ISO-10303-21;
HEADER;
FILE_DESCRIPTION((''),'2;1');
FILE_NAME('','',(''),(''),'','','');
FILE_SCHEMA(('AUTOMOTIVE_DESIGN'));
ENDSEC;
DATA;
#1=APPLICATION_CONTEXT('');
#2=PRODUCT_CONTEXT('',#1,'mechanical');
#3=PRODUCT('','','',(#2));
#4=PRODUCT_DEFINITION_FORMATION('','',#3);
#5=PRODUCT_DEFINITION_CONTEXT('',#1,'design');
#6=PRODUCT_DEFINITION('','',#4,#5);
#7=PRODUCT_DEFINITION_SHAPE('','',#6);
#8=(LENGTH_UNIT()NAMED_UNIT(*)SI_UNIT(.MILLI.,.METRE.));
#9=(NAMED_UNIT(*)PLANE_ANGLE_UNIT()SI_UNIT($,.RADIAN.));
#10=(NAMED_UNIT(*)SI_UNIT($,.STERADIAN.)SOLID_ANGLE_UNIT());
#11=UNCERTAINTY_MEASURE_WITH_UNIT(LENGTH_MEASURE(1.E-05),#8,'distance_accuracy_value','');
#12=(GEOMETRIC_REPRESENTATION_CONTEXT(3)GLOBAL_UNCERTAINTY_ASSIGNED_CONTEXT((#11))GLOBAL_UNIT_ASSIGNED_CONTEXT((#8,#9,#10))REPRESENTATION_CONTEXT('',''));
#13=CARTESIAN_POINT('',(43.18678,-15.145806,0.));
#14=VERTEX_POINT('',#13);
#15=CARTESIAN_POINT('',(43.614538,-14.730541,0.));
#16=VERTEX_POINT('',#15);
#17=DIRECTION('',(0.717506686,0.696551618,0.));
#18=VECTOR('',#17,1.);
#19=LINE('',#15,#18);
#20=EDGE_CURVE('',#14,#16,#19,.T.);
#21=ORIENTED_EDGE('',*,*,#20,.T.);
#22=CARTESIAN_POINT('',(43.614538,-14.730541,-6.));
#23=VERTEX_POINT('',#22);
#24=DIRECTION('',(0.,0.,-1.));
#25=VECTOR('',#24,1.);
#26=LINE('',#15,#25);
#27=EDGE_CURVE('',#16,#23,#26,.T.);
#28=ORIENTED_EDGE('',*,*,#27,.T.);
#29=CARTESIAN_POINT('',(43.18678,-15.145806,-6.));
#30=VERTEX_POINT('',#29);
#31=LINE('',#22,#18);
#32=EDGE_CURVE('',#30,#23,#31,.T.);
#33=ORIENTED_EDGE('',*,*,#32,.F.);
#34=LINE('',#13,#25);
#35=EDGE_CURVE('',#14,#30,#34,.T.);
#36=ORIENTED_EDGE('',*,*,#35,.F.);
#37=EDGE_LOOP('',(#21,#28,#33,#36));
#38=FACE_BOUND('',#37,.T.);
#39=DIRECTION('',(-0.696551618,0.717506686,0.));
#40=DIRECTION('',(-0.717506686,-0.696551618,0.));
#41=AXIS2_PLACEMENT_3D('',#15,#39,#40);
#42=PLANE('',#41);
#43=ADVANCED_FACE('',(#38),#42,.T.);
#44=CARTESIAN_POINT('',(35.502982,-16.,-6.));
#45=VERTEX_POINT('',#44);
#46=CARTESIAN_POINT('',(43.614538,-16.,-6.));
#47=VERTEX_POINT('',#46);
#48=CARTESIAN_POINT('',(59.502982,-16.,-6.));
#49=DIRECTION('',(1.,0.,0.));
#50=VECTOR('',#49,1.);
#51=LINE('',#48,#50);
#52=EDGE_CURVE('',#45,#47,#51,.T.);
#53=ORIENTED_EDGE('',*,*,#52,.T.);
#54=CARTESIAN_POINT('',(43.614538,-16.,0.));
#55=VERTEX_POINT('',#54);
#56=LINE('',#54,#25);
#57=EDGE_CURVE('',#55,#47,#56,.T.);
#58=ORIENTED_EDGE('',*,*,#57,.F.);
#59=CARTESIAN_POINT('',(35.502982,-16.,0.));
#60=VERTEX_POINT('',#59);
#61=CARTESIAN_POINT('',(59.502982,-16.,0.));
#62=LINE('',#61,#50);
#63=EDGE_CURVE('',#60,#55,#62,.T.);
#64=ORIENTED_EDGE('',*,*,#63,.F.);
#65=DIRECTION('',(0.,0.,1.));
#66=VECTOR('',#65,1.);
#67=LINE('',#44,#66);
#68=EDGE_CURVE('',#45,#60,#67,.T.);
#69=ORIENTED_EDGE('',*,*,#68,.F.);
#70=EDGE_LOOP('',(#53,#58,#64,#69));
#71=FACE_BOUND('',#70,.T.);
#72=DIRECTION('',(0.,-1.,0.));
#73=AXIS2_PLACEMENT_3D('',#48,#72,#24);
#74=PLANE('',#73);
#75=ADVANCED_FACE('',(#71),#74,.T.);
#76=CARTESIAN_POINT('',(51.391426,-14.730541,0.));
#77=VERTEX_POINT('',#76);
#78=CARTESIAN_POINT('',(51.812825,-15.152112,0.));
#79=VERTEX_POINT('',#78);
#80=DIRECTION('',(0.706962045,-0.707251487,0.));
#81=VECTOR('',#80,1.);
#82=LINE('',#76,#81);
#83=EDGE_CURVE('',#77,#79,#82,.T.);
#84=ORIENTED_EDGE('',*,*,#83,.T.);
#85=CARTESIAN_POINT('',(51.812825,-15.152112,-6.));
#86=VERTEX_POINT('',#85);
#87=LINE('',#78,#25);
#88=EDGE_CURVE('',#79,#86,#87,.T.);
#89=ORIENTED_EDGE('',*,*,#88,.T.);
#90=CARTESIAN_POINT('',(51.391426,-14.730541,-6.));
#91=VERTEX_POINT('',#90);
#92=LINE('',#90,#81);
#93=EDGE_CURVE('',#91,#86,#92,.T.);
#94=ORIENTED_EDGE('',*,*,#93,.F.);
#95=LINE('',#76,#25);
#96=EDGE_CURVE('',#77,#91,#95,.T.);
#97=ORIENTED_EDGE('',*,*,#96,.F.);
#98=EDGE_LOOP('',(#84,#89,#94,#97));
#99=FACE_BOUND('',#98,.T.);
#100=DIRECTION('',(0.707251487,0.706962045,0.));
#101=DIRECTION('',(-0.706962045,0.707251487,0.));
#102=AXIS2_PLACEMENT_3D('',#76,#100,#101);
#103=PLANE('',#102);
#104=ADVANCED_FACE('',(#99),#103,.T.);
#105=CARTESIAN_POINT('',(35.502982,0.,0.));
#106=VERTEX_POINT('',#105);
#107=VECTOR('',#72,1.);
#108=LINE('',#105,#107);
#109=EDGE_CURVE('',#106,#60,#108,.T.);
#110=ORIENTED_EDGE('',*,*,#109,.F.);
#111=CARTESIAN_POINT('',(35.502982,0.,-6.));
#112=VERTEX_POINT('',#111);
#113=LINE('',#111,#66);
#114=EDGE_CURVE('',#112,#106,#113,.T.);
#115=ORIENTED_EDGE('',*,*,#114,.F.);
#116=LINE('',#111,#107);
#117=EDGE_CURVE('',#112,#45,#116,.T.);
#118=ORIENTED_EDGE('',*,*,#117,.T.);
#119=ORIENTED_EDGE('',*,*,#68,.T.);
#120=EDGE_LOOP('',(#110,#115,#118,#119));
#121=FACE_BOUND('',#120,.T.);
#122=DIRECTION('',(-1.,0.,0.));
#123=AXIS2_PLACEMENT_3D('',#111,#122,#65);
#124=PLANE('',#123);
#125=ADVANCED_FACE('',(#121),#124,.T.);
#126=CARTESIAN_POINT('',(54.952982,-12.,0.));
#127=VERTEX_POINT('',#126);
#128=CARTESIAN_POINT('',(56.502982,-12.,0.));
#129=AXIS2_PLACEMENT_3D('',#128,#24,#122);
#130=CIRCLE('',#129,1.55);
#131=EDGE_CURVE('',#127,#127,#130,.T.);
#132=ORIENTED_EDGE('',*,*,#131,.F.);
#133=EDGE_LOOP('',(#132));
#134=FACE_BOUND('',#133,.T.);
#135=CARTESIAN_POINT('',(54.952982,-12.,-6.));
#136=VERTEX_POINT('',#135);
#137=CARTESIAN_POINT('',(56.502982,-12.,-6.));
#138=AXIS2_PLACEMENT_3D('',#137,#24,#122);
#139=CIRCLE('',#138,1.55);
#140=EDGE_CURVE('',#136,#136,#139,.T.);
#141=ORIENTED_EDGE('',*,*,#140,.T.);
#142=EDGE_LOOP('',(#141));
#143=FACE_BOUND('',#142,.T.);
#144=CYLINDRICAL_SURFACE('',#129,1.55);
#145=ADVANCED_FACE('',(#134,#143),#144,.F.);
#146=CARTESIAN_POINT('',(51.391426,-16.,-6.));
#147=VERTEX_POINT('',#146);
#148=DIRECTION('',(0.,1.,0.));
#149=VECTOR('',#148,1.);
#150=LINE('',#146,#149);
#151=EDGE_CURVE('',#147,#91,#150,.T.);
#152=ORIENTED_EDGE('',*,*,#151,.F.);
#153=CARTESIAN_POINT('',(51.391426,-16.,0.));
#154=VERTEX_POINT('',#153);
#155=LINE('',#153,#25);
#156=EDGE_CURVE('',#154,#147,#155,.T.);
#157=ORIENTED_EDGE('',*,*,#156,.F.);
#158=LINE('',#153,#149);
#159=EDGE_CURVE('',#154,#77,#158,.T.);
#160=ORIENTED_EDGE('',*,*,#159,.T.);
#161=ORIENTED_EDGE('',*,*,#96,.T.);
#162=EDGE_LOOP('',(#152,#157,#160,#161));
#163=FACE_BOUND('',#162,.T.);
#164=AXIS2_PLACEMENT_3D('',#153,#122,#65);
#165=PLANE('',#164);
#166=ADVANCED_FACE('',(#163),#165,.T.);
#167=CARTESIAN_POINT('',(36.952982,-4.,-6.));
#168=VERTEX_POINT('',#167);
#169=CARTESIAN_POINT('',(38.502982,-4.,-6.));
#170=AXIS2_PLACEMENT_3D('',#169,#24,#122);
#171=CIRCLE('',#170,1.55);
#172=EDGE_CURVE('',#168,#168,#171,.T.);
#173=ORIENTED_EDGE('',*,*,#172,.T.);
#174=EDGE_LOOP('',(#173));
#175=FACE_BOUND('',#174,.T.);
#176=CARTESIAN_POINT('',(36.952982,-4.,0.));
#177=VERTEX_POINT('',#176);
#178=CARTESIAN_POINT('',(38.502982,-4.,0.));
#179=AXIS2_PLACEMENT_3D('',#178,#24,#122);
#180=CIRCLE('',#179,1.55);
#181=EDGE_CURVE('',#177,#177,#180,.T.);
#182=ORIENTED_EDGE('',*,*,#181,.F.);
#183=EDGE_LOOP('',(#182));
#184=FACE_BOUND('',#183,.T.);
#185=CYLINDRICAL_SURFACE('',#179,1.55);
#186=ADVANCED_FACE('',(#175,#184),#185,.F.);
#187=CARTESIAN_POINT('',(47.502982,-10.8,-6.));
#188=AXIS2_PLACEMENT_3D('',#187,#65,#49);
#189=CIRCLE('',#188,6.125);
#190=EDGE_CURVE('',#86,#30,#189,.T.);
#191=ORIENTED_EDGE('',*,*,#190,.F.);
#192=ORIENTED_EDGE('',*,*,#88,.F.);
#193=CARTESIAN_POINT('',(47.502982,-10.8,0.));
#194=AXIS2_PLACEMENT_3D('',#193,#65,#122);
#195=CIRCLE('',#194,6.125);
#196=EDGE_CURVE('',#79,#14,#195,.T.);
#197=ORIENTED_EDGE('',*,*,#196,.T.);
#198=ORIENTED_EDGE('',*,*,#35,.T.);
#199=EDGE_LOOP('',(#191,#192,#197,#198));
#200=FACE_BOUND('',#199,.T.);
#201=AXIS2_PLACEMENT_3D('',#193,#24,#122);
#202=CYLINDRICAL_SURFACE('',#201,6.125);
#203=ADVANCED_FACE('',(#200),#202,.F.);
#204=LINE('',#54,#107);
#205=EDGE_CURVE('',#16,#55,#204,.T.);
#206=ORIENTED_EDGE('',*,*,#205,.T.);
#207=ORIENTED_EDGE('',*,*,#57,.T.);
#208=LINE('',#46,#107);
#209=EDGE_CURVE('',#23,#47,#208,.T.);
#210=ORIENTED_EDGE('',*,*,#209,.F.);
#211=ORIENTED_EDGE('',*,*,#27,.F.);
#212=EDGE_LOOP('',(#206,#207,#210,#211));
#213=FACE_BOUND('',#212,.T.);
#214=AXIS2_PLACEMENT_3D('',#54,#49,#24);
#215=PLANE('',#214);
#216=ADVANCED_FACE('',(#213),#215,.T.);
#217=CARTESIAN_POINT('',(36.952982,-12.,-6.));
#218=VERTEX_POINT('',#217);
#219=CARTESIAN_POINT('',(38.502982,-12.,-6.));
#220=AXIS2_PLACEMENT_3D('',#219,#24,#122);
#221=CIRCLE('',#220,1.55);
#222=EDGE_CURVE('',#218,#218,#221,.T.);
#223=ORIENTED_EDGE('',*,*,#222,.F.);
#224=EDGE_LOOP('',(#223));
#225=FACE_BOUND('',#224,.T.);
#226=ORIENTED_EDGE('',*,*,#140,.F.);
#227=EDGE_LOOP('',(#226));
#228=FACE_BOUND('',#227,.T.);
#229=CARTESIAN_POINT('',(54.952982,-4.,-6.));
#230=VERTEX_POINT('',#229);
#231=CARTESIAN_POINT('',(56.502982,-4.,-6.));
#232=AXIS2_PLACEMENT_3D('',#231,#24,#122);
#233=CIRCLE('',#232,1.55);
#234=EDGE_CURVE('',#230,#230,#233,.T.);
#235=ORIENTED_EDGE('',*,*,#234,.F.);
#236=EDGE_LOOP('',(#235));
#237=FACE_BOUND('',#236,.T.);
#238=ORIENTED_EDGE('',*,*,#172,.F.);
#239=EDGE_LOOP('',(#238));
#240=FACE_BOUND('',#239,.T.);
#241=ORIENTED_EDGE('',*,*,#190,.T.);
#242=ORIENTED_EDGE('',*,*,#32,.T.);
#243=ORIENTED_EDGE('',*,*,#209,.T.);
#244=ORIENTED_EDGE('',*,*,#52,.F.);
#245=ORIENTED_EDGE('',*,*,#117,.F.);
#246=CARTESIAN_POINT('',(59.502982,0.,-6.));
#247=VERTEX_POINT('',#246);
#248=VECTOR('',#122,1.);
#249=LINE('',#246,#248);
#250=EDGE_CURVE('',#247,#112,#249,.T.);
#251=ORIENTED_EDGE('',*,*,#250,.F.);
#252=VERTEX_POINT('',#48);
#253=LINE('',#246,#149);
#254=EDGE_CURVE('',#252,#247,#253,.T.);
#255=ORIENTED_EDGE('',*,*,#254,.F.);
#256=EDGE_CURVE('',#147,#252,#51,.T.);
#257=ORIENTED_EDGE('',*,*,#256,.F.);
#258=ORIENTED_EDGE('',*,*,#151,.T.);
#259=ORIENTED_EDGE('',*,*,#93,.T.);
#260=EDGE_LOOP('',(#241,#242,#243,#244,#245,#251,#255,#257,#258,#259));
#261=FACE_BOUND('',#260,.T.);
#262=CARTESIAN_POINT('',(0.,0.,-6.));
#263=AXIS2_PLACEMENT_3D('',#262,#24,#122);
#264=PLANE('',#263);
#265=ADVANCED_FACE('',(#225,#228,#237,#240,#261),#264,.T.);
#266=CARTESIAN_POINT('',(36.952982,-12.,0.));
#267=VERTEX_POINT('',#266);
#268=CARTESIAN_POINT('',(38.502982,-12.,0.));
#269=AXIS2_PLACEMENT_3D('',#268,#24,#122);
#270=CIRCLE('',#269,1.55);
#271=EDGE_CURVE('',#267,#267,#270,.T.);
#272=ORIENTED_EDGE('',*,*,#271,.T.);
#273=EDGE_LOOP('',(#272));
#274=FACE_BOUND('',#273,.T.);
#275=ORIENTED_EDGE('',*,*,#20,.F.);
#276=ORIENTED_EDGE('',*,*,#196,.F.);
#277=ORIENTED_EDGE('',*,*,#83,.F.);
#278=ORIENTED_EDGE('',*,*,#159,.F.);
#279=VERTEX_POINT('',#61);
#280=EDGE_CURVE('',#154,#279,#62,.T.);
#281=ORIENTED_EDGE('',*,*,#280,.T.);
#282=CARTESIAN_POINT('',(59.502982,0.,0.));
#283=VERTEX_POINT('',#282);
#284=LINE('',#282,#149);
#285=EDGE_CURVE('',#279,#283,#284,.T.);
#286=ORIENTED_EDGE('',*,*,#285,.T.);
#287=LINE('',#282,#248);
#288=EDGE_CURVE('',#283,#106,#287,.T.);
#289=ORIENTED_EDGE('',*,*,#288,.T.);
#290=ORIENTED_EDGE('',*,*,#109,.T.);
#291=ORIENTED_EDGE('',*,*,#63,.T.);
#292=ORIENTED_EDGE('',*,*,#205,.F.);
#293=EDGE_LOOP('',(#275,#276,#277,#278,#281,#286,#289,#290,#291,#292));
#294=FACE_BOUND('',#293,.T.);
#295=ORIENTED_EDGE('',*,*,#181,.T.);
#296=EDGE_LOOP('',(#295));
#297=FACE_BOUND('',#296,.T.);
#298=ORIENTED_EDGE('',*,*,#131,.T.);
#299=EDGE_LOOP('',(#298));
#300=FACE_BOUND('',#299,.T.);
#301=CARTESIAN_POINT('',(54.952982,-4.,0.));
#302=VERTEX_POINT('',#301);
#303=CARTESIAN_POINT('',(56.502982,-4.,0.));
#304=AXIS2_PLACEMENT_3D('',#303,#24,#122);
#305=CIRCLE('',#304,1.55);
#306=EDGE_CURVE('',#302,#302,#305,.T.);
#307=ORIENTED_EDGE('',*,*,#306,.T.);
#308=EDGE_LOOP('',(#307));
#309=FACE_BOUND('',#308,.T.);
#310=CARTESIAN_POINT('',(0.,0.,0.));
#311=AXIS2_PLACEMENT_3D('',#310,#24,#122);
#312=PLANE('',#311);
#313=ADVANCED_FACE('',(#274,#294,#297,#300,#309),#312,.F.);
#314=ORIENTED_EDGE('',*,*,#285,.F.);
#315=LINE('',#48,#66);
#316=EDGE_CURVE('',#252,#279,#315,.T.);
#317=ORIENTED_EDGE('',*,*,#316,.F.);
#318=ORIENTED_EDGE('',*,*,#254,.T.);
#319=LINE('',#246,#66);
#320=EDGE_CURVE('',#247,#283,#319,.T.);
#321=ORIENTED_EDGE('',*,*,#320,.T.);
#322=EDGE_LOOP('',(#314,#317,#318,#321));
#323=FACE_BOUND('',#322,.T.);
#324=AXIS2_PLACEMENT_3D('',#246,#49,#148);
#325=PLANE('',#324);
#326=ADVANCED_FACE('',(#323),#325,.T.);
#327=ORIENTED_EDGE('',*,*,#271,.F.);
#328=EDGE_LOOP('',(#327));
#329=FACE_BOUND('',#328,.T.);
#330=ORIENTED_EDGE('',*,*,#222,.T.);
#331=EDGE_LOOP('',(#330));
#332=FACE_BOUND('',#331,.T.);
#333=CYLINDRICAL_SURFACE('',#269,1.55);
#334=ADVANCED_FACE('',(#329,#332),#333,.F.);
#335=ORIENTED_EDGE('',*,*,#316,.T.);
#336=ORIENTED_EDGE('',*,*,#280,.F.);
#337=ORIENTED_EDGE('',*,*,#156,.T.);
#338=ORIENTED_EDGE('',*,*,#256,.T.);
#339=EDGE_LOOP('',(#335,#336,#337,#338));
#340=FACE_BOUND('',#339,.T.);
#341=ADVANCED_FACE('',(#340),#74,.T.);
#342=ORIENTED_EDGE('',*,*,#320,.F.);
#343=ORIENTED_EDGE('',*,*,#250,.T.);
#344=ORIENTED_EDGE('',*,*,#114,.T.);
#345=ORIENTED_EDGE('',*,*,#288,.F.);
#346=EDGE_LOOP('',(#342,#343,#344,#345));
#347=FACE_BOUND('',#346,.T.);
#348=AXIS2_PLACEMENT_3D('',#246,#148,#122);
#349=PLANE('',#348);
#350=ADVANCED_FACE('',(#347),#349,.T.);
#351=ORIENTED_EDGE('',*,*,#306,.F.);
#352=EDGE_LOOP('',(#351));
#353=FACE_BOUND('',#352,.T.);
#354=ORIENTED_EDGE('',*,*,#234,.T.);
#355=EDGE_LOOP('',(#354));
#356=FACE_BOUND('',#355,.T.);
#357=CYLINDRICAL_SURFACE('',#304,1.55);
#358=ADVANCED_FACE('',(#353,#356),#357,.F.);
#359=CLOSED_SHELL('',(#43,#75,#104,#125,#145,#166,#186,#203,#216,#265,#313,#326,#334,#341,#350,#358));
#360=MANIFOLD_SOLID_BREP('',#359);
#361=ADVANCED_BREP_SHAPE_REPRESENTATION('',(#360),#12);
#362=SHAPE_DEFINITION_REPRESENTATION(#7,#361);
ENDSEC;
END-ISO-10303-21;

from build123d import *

# Parameters (mm, degrees)
SZKIC1_W                    = 24
SZKIC1_H                    = 16
DODANIE_WYCI_GNI_CIE1_DEPTH = 6
WYTNIJ_WYCI_GNI_CIE1_DEPTH  = 6
SZKIC3_R                    = 1.55
WYTNIJ_WYCI_GNI_CIE2_DEPTH  = 62.908035593


with BuildPart() as part:
    # Szkic1 → Dodanie-wyciągnięcie1 (new body)
    with BuildSketch(Plane.XY):
        with Locations((47.502982034, -8)):
            Rectangle(SZKIC1_W, SZKIC1_H)
    extrude(amount=-DODANIE_WYCI_GNI_CIE1_DEPTH)

    # Szkic2 → Wytnij-wyciągnięcie1 (cut)
    with BuildSketch(Plane.XY.offset(-6)):
        with BuildLine():
            Line((43.614537615, -16), (43.614537615, -14.730541148))
            Line((43.614537615, -14.730541148), (43.186780246, -15.145805693))
            ThreePointArc((43.186780246, -15.145805693), (43.13517548, -15.093936528), (43.084193998, -15.041454619))
            ThreePointArc((43.084193998, -15.041454619), (47.502982034, -4.675), (51.921770071, -15.041454619))
            ThreePointArc((51.921770071, -15.041454619), (51.867648174, -15.097128633), (51.812824874, -15.152112096))
            Line((51.812824874, -15.152112096), (51.391426454, -14.730541148))
            Line((51.391426454, -14.730541148), (51.391426454, -16))
            Line((51.391426454, -16), (43.614537615, -16))
        make_face()
    extrude(amount=WYTNIJ_WYCI_GNI_CIE1_DEPTH, mode=Mode.SUBTRACT)

    # Szkic3 → Wytnij-wyciągnięcie2 (cut, through all)
    with BuildSketch(Plane(origin=(0, 0, -6), x_dir=(-1, 0, 0), z_dir=(0, 0, -1))):
        with Locations((-56.502982034, -12)):
            Circle(SZKIC3_R)
        with Locations((-56.502982034, -4)):
            Circle(SZKIC3_R)
        with Locations((-38.502982034, -4)):
            Circle(SZKIC3_R)
        with Locations((-38.502982034, -12)):
            Circle(SZKIC3_R)
    extrude(amount=-WYTNIJ_WYCI_GNI_CIE2_DEPTH, mode=Mode.SUBTRACT)


solid = part.part
